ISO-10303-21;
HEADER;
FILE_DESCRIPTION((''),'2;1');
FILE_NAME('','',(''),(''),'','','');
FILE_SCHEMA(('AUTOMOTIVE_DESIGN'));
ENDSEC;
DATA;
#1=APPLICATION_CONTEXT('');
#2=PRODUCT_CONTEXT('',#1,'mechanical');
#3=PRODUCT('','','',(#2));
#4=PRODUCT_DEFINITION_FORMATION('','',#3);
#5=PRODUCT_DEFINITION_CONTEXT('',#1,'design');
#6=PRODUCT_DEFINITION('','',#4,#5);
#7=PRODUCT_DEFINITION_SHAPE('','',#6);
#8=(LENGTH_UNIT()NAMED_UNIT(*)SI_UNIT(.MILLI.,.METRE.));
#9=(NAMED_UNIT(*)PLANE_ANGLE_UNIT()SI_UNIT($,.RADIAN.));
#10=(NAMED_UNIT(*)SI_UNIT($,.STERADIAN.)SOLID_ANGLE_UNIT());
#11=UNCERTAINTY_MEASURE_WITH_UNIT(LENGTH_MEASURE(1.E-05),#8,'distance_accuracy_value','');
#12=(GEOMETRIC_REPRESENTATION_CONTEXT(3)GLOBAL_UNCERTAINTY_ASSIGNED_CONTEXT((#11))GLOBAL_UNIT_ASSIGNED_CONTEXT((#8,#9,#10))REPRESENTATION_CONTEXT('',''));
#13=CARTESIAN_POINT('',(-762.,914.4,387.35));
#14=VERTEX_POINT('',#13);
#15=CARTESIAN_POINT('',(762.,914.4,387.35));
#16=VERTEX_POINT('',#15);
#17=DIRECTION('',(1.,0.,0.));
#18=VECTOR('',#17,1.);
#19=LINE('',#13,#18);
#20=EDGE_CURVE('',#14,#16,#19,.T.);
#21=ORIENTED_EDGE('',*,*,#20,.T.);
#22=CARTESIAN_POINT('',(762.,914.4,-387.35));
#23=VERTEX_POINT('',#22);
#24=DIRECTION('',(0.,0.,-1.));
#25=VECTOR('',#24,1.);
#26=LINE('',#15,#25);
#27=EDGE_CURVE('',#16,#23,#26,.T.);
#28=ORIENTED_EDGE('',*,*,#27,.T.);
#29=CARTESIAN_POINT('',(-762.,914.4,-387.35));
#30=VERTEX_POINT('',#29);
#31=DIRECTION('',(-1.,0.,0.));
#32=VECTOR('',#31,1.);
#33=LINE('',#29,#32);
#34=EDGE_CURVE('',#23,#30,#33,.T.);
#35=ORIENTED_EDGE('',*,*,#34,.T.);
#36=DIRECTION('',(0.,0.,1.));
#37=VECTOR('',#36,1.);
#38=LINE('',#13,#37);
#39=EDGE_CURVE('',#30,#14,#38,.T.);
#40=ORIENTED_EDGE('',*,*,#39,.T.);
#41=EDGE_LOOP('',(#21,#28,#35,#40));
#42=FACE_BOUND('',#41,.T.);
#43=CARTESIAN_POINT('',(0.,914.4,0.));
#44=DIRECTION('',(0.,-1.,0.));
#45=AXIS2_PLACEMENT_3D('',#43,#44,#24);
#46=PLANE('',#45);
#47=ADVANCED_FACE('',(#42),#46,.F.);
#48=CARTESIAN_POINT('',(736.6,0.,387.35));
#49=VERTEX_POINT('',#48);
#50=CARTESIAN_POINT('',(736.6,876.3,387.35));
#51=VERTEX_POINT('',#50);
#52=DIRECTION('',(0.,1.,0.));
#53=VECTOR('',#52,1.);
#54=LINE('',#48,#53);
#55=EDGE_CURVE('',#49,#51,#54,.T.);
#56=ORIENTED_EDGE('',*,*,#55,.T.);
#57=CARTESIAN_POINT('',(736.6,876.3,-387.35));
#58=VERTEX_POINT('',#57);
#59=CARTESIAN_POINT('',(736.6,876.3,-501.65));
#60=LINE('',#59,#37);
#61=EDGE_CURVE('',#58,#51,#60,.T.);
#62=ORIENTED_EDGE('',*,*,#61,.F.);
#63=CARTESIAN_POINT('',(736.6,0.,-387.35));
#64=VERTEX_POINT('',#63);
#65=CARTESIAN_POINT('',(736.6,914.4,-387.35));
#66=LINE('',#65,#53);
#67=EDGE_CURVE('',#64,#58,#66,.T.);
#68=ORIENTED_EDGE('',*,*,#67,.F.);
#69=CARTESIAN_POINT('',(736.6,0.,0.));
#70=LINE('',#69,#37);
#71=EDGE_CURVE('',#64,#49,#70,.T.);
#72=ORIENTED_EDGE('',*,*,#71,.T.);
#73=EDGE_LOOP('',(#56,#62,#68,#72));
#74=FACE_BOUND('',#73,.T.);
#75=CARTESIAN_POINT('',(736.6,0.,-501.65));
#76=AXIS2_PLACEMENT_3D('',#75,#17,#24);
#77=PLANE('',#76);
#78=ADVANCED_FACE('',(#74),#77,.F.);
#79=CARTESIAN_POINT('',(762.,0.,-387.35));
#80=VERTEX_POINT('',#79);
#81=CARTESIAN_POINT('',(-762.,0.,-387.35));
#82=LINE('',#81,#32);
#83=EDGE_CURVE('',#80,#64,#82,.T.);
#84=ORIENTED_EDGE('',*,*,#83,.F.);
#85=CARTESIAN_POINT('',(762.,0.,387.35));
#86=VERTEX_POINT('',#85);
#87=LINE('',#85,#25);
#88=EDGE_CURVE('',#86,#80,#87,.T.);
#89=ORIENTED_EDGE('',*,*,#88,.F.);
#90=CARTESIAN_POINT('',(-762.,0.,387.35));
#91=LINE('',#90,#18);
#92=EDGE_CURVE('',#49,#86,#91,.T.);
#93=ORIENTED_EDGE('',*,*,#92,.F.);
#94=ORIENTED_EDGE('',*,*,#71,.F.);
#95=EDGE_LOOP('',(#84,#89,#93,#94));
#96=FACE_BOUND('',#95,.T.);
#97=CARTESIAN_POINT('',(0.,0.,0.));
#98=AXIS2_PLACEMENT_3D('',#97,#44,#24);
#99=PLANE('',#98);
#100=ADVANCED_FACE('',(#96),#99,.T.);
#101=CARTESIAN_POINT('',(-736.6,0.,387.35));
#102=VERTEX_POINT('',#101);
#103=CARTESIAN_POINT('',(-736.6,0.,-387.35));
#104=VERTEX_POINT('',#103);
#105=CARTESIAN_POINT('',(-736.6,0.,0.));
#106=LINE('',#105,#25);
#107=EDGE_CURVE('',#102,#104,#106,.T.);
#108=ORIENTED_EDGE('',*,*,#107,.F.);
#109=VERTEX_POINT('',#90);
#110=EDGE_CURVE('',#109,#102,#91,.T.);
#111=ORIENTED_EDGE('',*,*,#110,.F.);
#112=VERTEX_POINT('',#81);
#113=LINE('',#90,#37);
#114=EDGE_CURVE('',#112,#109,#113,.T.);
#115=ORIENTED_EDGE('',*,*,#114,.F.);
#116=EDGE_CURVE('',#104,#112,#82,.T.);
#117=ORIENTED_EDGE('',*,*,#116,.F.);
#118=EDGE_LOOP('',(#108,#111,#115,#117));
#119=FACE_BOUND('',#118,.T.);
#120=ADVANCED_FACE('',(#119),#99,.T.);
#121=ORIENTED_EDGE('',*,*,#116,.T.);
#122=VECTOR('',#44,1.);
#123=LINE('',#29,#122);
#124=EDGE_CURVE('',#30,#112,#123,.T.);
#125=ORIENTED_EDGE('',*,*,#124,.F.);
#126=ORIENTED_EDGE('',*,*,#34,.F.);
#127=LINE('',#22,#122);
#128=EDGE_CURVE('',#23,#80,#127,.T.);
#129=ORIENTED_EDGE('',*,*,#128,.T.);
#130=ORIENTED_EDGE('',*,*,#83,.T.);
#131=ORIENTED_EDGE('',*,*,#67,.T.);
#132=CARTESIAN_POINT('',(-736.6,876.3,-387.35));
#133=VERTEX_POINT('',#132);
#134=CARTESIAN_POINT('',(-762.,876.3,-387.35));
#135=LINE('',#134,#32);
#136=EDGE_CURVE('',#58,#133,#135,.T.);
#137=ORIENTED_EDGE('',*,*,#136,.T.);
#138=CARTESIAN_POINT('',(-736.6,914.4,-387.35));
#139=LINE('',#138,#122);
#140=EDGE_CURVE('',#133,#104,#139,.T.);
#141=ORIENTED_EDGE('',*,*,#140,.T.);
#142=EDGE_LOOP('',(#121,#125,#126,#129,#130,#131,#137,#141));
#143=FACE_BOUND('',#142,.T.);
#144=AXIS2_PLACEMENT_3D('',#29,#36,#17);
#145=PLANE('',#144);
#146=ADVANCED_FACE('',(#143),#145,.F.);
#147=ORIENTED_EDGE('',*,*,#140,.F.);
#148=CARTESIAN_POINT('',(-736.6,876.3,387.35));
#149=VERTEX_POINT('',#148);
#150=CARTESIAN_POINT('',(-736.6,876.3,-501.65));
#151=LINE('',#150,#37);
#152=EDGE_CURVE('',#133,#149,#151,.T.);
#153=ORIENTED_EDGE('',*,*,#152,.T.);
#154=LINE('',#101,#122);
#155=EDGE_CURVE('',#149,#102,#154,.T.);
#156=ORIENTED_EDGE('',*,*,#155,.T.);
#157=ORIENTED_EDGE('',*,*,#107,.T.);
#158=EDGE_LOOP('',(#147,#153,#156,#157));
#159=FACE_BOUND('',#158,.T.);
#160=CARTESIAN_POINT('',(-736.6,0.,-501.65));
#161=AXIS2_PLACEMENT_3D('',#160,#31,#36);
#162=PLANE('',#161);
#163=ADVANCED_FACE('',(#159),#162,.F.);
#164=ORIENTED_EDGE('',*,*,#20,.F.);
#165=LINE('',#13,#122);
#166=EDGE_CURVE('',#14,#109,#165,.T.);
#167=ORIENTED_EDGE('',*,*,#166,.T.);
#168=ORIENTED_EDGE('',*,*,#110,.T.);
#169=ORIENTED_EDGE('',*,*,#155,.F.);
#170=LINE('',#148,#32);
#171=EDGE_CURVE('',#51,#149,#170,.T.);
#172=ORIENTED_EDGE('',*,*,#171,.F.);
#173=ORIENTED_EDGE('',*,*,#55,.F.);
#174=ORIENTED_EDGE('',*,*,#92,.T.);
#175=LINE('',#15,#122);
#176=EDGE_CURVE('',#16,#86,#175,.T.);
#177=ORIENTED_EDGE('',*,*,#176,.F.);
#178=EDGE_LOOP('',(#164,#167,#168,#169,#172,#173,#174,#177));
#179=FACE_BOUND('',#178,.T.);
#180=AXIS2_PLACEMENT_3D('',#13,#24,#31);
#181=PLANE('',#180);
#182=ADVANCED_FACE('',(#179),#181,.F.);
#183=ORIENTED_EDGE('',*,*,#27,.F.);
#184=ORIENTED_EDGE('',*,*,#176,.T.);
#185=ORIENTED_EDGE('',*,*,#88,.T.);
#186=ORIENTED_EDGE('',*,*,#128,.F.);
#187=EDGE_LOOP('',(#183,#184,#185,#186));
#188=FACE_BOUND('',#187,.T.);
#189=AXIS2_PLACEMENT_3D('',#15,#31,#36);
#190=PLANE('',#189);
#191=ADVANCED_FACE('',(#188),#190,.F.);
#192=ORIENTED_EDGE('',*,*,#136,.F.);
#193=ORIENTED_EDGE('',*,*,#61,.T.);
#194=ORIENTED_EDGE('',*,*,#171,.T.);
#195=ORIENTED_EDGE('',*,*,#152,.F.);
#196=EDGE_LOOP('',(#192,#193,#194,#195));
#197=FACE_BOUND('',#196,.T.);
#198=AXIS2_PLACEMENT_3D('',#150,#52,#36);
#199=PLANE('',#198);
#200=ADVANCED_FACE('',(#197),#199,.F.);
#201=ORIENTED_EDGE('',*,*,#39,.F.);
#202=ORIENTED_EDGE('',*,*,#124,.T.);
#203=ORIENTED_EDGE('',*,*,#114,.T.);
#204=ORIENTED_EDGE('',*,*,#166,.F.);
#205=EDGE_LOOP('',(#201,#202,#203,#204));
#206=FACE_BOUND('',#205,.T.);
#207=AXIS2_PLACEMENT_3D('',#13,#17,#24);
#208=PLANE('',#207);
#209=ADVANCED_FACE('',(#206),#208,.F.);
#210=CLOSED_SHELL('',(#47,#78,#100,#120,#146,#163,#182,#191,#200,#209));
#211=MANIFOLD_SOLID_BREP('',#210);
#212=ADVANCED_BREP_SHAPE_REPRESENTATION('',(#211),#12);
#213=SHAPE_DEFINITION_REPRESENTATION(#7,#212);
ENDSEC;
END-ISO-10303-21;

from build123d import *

# Parameters (mm, degrees)
SKETCH1_W           = 1524
SKETCH1_H           = 774.7
BOSS_EXTRUDE1_DEPTH = 914.4
SKETCH2_W           = 1473.2
SKETCH2_H           = 876.3
CUT_EXTRUDE1_DEPTH  = 889


with BuildPart() as part:
    # Sketch1 → Boss-Extrude1 (new body)
    with BuildSketch(Plane(origin=(0, 0, 0), x_dir=(1, 0, 0), z_dir=(0, 1, 0))):
        Rectangle(SKETCH1_W, SKETCH1_H)
    extrude(amount=BOSS_EXTRUDE1_DEPTH)

    # Sketch2 → Cut-Extrude1 (cut)
    with BuildSketch(Plane.XY.offset(387.35)):
        with Locations((0, 438.15)):
            Rectangle(SKETCH2_W, SKETCH2_H)
    extrude(amount=-CUT_EXTRUDE1_DEPTH, mode=Mode.SUBTRACT)


solid = part.part
